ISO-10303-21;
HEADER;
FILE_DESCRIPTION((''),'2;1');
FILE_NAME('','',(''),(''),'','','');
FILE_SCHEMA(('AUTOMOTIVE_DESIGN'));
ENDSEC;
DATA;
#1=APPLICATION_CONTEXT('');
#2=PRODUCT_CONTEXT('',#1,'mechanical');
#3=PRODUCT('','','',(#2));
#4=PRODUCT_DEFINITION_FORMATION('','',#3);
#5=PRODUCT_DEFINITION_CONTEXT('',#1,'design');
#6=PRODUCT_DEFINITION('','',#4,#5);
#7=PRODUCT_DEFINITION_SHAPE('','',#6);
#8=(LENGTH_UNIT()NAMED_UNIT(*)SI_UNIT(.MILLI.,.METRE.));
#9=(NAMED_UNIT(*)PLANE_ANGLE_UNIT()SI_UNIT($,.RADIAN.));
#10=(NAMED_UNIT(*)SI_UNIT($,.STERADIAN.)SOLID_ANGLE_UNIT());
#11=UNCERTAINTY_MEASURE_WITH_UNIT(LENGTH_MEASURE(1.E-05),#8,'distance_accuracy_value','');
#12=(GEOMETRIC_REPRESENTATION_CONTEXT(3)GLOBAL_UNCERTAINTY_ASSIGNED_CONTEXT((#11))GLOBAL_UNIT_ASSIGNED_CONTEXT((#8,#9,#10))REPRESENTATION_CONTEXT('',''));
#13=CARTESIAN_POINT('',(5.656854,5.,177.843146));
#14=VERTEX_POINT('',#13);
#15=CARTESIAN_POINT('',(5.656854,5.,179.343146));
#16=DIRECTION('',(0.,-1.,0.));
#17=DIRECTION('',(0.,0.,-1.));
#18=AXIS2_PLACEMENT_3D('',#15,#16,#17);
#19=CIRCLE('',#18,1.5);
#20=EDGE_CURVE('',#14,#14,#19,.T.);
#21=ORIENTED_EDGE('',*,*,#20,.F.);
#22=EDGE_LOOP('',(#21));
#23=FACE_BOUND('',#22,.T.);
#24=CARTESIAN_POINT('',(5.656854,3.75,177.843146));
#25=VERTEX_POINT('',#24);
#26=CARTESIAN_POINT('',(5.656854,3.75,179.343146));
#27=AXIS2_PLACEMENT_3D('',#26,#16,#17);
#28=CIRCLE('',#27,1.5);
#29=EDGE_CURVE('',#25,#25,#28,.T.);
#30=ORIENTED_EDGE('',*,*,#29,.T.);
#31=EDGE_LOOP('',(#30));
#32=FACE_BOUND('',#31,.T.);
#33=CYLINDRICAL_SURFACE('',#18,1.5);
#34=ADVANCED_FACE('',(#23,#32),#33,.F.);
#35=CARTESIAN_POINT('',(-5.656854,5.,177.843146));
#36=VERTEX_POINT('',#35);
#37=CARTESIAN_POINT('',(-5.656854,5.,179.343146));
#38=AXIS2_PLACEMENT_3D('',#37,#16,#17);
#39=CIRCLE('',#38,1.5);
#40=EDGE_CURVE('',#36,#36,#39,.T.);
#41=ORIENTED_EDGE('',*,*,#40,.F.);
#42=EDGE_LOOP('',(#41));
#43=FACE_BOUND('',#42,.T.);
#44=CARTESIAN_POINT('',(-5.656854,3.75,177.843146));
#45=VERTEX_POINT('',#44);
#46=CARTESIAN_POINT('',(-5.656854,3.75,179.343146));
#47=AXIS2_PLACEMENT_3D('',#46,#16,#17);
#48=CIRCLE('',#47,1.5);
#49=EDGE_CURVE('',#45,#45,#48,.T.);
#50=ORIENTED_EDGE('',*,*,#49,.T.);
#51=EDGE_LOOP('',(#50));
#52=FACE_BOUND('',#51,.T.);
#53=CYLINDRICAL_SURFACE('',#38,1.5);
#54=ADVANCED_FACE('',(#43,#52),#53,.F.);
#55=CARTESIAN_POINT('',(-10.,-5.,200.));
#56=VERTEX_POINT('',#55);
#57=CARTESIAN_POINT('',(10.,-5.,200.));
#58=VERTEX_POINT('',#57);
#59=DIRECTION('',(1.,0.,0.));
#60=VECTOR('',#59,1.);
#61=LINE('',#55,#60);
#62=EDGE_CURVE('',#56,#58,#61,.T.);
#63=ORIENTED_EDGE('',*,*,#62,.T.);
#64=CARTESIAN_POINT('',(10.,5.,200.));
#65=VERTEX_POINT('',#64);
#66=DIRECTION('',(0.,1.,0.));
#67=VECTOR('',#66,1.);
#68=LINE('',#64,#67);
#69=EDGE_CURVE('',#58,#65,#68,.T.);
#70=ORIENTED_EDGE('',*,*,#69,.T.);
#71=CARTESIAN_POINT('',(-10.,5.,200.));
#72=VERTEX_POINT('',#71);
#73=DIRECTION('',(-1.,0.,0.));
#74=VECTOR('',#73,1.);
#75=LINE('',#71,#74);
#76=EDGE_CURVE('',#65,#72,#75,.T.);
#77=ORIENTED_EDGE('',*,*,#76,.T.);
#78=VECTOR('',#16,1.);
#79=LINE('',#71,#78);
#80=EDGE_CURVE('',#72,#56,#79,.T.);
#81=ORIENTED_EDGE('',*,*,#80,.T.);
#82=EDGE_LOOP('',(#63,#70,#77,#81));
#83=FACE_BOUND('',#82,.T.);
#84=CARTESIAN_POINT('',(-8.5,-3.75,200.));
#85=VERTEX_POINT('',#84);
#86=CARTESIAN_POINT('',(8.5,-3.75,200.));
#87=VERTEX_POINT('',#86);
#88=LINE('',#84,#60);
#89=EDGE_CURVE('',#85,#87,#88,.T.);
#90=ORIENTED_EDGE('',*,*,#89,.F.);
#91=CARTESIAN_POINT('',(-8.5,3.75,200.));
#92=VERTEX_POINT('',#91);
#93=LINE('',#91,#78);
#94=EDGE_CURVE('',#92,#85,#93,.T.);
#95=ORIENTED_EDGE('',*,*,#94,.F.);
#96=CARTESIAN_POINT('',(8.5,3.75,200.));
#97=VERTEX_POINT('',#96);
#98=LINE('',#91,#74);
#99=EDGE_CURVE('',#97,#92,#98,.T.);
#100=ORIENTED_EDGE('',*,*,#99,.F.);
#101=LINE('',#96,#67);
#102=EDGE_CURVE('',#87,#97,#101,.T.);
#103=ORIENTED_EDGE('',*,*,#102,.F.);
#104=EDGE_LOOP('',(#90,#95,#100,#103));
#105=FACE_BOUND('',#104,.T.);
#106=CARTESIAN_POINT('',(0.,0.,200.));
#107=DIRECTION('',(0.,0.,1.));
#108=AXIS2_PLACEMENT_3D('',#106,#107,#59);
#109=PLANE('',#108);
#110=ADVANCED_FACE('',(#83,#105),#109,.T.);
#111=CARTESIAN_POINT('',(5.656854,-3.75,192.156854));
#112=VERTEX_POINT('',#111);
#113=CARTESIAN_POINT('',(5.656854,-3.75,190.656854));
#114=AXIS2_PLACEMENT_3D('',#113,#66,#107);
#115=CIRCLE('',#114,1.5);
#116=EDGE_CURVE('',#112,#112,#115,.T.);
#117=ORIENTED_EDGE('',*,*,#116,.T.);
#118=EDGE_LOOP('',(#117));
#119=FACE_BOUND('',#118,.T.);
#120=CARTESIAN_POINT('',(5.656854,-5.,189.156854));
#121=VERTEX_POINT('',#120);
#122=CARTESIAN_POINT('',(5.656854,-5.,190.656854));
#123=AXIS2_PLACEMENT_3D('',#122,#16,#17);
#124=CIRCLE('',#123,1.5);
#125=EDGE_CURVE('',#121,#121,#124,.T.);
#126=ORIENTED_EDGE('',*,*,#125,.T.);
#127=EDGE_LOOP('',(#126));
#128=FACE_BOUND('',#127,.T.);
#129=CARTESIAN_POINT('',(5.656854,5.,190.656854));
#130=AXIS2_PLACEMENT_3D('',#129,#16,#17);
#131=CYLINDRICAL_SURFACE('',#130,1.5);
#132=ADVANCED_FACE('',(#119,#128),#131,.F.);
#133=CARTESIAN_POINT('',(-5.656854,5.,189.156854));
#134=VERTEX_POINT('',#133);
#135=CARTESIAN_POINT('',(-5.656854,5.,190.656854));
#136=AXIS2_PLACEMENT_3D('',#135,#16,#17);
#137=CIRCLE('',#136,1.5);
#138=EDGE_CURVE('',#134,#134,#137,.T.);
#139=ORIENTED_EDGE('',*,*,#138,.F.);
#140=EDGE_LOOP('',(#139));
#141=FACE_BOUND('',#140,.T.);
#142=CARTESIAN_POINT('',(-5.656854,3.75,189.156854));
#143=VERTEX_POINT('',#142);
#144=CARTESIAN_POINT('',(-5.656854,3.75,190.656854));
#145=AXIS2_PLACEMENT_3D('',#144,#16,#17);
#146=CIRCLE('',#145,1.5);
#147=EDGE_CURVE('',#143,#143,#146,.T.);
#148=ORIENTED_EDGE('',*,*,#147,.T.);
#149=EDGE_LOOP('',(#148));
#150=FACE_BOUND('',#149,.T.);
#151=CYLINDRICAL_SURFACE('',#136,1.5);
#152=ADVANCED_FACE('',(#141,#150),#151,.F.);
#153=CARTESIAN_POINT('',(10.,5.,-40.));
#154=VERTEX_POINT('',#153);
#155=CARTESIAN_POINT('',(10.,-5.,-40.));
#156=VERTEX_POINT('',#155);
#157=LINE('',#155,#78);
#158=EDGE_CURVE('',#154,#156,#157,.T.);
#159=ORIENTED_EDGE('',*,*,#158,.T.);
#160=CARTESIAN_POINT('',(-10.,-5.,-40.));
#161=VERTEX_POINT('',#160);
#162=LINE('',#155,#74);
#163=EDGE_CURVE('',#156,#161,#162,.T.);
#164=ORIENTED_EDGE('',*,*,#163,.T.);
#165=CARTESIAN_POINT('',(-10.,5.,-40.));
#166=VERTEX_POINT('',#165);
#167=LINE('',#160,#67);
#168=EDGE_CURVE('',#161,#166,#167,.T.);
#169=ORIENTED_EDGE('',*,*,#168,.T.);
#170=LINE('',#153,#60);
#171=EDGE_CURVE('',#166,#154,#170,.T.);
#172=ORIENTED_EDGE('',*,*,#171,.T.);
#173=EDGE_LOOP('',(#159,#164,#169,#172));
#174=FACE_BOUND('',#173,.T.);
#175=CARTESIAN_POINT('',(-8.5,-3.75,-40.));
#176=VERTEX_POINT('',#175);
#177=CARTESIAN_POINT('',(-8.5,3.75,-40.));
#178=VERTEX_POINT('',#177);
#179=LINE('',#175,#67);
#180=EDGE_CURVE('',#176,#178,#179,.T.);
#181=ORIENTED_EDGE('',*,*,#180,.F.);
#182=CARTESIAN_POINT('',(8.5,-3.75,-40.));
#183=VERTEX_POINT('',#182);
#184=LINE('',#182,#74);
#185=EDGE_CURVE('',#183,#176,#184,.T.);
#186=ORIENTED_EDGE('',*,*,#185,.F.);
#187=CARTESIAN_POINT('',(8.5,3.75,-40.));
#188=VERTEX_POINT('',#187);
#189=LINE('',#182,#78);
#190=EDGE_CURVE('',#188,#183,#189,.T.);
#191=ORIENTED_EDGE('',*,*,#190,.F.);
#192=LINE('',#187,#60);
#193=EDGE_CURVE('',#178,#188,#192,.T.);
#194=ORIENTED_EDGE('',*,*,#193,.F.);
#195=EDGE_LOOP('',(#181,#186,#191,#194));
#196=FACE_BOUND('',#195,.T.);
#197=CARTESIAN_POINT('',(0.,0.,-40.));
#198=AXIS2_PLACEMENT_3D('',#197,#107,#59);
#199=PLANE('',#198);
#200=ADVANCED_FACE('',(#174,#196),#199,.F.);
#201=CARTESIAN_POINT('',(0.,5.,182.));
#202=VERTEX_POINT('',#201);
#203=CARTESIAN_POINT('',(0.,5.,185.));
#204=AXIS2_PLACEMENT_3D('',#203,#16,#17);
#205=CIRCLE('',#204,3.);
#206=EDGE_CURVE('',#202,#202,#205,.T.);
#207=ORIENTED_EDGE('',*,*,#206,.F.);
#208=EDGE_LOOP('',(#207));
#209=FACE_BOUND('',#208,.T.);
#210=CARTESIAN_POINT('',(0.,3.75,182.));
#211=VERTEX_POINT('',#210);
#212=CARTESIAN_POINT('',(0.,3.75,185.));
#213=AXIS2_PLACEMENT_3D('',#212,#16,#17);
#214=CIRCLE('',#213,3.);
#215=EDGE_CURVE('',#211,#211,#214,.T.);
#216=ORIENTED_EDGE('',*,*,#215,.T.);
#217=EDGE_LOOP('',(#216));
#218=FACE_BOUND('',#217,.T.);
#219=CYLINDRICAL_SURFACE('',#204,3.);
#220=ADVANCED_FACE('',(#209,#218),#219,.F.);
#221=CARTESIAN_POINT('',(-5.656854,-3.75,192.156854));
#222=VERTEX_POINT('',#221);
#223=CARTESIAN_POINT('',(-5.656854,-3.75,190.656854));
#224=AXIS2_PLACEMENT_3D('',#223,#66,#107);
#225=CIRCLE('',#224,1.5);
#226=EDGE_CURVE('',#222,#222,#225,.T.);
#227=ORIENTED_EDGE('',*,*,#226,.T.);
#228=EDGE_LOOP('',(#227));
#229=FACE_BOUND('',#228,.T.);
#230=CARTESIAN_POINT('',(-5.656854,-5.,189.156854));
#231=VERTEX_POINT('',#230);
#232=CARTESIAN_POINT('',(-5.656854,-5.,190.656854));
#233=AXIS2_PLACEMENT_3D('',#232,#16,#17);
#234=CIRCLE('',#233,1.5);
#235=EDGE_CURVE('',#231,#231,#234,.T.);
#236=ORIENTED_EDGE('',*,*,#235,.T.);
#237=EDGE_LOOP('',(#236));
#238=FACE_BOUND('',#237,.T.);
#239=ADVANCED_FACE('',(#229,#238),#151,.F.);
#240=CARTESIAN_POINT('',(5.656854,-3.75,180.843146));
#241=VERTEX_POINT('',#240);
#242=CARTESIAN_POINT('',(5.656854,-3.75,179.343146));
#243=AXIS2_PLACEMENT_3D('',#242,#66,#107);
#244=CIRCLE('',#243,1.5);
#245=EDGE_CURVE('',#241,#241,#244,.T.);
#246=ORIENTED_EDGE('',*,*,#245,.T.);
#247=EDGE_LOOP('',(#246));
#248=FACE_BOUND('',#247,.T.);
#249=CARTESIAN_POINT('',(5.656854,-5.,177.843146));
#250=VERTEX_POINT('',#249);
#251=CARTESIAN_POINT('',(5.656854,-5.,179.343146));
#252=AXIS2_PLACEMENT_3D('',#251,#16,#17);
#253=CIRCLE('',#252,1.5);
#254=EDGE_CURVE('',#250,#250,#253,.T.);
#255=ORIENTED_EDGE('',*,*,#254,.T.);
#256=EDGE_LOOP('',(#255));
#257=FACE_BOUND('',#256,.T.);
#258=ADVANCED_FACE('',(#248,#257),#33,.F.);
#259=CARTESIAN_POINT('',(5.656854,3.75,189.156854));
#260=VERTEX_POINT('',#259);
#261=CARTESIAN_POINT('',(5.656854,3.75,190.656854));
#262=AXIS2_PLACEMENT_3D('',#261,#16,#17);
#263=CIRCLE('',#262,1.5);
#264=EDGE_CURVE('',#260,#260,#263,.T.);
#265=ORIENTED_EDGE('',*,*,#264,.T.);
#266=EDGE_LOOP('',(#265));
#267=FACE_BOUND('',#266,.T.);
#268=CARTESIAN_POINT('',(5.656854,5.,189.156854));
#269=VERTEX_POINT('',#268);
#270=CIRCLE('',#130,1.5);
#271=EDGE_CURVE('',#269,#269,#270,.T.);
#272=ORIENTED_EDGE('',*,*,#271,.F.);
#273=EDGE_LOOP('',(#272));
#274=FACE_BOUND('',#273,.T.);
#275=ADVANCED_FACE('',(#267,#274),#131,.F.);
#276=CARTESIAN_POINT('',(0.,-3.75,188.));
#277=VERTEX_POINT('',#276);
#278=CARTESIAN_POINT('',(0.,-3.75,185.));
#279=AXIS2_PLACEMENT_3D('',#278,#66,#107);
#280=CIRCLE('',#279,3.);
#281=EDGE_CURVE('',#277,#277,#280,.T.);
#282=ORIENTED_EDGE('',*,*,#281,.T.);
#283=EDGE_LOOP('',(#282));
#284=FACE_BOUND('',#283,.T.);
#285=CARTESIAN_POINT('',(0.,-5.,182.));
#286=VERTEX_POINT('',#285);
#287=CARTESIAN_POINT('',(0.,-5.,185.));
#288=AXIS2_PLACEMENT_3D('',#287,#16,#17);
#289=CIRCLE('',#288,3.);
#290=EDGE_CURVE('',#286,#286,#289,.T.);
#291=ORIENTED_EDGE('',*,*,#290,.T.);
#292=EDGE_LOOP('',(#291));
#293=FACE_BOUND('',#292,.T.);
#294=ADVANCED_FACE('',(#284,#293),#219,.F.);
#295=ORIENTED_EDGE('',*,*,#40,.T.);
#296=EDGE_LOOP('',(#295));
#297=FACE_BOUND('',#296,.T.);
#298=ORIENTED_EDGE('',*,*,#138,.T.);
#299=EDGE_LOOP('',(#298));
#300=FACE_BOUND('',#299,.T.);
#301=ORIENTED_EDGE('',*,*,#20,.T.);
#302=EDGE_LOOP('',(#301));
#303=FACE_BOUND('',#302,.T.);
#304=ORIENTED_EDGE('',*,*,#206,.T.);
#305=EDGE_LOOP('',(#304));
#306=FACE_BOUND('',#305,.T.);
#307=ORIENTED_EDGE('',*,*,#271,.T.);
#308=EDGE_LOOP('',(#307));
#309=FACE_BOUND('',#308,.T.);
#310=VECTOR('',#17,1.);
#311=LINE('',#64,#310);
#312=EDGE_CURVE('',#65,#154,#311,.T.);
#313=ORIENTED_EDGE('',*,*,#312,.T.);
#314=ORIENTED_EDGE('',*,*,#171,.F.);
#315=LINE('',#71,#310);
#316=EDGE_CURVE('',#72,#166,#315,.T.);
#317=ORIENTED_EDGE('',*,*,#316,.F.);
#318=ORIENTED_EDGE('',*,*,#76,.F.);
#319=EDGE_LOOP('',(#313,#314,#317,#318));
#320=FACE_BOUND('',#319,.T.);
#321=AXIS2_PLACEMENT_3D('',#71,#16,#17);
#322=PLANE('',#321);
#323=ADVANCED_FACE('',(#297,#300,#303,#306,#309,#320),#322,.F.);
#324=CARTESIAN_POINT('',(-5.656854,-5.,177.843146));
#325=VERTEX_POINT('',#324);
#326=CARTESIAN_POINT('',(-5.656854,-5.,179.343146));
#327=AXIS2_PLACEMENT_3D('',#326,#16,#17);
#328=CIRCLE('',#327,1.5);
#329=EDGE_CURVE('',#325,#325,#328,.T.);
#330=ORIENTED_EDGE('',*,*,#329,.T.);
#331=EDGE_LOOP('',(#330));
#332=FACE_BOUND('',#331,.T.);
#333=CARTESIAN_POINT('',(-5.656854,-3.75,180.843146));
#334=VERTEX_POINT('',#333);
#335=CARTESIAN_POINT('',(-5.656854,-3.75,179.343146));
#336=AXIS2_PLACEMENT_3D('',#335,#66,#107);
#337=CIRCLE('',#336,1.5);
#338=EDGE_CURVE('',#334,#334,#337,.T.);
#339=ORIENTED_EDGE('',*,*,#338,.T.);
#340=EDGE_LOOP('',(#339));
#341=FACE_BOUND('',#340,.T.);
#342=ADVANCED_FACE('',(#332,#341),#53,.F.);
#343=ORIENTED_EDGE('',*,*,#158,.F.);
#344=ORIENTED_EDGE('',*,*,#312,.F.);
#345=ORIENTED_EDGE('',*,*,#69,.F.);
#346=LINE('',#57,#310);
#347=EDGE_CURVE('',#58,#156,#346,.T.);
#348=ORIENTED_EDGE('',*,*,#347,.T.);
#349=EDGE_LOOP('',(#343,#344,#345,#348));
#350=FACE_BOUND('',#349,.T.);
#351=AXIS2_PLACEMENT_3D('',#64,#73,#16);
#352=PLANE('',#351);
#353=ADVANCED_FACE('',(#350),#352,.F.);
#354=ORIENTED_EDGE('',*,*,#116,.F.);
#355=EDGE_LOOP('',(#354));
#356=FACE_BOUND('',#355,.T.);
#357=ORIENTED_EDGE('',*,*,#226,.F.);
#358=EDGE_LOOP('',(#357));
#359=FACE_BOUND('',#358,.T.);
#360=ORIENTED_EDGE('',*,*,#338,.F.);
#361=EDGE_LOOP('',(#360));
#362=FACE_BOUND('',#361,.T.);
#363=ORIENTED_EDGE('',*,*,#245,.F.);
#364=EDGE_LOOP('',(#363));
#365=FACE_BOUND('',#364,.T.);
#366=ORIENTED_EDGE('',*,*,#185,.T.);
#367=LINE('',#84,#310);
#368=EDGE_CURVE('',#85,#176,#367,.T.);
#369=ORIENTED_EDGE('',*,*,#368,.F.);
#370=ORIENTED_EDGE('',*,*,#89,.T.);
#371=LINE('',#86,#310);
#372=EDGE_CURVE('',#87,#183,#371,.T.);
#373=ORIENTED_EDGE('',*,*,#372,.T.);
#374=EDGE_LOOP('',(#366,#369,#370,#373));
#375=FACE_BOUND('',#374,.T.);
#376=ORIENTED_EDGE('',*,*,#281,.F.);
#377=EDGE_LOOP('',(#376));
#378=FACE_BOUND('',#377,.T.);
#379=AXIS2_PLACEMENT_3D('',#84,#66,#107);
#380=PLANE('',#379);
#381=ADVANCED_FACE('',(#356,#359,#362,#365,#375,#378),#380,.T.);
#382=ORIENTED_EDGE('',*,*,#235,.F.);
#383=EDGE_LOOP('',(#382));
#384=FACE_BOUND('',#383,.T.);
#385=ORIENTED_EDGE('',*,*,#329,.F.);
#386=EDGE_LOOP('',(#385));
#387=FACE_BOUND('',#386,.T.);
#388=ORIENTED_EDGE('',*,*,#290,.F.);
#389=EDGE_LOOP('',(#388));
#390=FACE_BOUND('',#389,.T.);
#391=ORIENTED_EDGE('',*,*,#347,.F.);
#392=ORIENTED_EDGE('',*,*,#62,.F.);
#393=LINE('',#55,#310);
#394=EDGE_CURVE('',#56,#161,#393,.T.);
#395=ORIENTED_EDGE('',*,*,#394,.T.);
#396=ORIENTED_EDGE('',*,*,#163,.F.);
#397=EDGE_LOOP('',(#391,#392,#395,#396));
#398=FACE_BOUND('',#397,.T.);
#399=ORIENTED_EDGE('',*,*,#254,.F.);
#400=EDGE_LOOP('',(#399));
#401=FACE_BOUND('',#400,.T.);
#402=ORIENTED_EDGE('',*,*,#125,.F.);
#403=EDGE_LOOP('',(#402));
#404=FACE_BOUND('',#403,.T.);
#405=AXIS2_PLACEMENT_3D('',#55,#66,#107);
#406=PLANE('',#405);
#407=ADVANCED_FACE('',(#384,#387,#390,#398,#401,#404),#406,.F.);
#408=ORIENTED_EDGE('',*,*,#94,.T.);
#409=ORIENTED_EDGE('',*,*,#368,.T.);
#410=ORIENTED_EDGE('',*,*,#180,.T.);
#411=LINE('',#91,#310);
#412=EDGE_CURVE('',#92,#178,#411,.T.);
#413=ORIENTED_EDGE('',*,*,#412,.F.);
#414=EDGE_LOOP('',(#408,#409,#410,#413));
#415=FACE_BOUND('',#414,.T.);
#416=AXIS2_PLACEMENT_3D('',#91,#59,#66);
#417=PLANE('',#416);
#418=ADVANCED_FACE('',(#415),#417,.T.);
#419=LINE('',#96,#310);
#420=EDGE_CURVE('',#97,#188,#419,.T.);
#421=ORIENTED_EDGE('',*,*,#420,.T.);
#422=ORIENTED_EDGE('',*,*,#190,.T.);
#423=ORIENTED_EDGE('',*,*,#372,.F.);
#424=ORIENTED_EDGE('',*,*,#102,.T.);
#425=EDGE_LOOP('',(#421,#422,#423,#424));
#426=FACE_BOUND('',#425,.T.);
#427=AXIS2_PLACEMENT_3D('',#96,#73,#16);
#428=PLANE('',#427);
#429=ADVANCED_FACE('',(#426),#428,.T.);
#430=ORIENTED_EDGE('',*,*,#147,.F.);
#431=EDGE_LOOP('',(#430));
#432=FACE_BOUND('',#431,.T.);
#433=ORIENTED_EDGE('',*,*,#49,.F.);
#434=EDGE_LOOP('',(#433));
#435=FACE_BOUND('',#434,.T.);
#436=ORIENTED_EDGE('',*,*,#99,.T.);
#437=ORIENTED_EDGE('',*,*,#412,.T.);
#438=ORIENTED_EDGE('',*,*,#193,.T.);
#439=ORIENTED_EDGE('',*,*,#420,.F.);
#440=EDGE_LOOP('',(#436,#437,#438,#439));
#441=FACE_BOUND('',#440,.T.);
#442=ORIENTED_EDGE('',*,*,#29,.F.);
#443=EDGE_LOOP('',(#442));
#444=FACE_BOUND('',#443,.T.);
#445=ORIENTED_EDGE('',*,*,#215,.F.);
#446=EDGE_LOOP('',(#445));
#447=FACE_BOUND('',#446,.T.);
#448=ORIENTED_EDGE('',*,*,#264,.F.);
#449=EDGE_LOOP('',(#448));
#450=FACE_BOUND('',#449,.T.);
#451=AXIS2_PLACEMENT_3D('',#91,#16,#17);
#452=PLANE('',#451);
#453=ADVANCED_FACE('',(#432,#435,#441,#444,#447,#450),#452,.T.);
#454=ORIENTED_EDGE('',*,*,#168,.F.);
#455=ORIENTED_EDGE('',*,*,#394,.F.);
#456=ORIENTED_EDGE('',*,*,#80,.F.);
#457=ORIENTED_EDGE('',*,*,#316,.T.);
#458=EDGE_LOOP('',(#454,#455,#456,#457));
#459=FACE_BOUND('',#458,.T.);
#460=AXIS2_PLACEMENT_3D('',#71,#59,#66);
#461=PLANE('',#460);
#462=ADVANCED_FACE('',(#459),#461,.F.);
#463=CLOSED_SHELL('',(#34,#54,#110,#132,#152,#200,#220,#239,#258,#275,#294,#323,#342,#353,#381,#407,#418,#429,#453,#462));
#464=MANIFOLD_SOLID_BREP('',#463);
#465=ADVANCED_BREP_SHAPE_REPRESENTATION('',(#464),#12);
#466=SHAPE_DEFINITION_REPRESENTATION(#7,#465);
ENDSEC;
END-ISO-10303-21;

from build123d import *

# Parameters (mm, degrees)
SKETCH_1_W          = 20
SKETCH_1_H          = 10
SKETCH_1_W_2        = 17
SKETCH_1_H_2        = 7.5
EXTRUDE_1_DEPTH     = 200
SKETCH_3_R          = 3
CUT_EXTRUDE_2_DEPTH = 10
SKETCH_5_R          = 1.5
CUT_EXTRUDE_4_DEPTH = 10
SKETCH_6_W          = 20
SKETCH_6_H          = 10
SKETCH_6_W_2        = 17
SKETCH_6_H_2        = 7.5
EXTRUDE_2_DEPTH     = 40


with BuildPart() as part:
    # 草图1 → 凸台-拉伸1 (new body)
    with BuildSketch(Plane.XY):
        Rectangle(SKETCH_1_W, SKETCH_1_H)
        Rectangle(SKETCH_1_W_2, SKETCH_1_H_2, mode=Mode.SUBTRACT)
    extrude(amount=EXTRUDE_1_DEPTH)

    # 草图3 → 切除-拉伸2 (cut)
    with BuildSketch(Plane.XZ.offset(5)):
        with Locations(Location((0, 185, 0), (0, 0, 270))):
            Circle(SKETCH_3_R)
    extrude(amount=-CUT_EXTRUDE_2_DEPTH, mode=Mode.SUBTRACT)

    # 草图5 → 切除-拉伸4 (cut)
    with BuildSketch(Plane.XZ.offset(5)):
        with Locations(Location((5.656854249, 190.656854249, 0), (0, 0, 270))):
            Circle(SKETCH_5_R)
        with Locations(Location((5.656854249, 179.343145751, 0), (0, 0, 270))):
            Circle(SKETCH_5_R)
        with Locations(Location((-5.656854249, 179.343145751, 0), (0, 0, 270))):
            Circle(SKETCH_5_R)
        with Locations(Location((-5.656854249, 190.656854249, 0), (0, 0, 270))):
            Circle(SKETCH_5_R)
    extrude(amount=-CUT_EXTRUDE_4_DEPTH, mode=Mode.SUBTRACT)

    # 草图6 → 凸台-拉伸2 (add)
    with BuildSketch(Plane(origin=(0, 0, 0), x_dir=(-1, 0, 0), z_dir=(0, 0, -1))):
        Rectangle(SKETCH_6_W, SKETCH_6_H)
        Rectangle(SKETCH_6_W_2, SKETCH_6_H_2, mode=Mode.SUBTRACT)
    extrude(amount=EXTRUDE_2_DEPTH)


solid = part.part
